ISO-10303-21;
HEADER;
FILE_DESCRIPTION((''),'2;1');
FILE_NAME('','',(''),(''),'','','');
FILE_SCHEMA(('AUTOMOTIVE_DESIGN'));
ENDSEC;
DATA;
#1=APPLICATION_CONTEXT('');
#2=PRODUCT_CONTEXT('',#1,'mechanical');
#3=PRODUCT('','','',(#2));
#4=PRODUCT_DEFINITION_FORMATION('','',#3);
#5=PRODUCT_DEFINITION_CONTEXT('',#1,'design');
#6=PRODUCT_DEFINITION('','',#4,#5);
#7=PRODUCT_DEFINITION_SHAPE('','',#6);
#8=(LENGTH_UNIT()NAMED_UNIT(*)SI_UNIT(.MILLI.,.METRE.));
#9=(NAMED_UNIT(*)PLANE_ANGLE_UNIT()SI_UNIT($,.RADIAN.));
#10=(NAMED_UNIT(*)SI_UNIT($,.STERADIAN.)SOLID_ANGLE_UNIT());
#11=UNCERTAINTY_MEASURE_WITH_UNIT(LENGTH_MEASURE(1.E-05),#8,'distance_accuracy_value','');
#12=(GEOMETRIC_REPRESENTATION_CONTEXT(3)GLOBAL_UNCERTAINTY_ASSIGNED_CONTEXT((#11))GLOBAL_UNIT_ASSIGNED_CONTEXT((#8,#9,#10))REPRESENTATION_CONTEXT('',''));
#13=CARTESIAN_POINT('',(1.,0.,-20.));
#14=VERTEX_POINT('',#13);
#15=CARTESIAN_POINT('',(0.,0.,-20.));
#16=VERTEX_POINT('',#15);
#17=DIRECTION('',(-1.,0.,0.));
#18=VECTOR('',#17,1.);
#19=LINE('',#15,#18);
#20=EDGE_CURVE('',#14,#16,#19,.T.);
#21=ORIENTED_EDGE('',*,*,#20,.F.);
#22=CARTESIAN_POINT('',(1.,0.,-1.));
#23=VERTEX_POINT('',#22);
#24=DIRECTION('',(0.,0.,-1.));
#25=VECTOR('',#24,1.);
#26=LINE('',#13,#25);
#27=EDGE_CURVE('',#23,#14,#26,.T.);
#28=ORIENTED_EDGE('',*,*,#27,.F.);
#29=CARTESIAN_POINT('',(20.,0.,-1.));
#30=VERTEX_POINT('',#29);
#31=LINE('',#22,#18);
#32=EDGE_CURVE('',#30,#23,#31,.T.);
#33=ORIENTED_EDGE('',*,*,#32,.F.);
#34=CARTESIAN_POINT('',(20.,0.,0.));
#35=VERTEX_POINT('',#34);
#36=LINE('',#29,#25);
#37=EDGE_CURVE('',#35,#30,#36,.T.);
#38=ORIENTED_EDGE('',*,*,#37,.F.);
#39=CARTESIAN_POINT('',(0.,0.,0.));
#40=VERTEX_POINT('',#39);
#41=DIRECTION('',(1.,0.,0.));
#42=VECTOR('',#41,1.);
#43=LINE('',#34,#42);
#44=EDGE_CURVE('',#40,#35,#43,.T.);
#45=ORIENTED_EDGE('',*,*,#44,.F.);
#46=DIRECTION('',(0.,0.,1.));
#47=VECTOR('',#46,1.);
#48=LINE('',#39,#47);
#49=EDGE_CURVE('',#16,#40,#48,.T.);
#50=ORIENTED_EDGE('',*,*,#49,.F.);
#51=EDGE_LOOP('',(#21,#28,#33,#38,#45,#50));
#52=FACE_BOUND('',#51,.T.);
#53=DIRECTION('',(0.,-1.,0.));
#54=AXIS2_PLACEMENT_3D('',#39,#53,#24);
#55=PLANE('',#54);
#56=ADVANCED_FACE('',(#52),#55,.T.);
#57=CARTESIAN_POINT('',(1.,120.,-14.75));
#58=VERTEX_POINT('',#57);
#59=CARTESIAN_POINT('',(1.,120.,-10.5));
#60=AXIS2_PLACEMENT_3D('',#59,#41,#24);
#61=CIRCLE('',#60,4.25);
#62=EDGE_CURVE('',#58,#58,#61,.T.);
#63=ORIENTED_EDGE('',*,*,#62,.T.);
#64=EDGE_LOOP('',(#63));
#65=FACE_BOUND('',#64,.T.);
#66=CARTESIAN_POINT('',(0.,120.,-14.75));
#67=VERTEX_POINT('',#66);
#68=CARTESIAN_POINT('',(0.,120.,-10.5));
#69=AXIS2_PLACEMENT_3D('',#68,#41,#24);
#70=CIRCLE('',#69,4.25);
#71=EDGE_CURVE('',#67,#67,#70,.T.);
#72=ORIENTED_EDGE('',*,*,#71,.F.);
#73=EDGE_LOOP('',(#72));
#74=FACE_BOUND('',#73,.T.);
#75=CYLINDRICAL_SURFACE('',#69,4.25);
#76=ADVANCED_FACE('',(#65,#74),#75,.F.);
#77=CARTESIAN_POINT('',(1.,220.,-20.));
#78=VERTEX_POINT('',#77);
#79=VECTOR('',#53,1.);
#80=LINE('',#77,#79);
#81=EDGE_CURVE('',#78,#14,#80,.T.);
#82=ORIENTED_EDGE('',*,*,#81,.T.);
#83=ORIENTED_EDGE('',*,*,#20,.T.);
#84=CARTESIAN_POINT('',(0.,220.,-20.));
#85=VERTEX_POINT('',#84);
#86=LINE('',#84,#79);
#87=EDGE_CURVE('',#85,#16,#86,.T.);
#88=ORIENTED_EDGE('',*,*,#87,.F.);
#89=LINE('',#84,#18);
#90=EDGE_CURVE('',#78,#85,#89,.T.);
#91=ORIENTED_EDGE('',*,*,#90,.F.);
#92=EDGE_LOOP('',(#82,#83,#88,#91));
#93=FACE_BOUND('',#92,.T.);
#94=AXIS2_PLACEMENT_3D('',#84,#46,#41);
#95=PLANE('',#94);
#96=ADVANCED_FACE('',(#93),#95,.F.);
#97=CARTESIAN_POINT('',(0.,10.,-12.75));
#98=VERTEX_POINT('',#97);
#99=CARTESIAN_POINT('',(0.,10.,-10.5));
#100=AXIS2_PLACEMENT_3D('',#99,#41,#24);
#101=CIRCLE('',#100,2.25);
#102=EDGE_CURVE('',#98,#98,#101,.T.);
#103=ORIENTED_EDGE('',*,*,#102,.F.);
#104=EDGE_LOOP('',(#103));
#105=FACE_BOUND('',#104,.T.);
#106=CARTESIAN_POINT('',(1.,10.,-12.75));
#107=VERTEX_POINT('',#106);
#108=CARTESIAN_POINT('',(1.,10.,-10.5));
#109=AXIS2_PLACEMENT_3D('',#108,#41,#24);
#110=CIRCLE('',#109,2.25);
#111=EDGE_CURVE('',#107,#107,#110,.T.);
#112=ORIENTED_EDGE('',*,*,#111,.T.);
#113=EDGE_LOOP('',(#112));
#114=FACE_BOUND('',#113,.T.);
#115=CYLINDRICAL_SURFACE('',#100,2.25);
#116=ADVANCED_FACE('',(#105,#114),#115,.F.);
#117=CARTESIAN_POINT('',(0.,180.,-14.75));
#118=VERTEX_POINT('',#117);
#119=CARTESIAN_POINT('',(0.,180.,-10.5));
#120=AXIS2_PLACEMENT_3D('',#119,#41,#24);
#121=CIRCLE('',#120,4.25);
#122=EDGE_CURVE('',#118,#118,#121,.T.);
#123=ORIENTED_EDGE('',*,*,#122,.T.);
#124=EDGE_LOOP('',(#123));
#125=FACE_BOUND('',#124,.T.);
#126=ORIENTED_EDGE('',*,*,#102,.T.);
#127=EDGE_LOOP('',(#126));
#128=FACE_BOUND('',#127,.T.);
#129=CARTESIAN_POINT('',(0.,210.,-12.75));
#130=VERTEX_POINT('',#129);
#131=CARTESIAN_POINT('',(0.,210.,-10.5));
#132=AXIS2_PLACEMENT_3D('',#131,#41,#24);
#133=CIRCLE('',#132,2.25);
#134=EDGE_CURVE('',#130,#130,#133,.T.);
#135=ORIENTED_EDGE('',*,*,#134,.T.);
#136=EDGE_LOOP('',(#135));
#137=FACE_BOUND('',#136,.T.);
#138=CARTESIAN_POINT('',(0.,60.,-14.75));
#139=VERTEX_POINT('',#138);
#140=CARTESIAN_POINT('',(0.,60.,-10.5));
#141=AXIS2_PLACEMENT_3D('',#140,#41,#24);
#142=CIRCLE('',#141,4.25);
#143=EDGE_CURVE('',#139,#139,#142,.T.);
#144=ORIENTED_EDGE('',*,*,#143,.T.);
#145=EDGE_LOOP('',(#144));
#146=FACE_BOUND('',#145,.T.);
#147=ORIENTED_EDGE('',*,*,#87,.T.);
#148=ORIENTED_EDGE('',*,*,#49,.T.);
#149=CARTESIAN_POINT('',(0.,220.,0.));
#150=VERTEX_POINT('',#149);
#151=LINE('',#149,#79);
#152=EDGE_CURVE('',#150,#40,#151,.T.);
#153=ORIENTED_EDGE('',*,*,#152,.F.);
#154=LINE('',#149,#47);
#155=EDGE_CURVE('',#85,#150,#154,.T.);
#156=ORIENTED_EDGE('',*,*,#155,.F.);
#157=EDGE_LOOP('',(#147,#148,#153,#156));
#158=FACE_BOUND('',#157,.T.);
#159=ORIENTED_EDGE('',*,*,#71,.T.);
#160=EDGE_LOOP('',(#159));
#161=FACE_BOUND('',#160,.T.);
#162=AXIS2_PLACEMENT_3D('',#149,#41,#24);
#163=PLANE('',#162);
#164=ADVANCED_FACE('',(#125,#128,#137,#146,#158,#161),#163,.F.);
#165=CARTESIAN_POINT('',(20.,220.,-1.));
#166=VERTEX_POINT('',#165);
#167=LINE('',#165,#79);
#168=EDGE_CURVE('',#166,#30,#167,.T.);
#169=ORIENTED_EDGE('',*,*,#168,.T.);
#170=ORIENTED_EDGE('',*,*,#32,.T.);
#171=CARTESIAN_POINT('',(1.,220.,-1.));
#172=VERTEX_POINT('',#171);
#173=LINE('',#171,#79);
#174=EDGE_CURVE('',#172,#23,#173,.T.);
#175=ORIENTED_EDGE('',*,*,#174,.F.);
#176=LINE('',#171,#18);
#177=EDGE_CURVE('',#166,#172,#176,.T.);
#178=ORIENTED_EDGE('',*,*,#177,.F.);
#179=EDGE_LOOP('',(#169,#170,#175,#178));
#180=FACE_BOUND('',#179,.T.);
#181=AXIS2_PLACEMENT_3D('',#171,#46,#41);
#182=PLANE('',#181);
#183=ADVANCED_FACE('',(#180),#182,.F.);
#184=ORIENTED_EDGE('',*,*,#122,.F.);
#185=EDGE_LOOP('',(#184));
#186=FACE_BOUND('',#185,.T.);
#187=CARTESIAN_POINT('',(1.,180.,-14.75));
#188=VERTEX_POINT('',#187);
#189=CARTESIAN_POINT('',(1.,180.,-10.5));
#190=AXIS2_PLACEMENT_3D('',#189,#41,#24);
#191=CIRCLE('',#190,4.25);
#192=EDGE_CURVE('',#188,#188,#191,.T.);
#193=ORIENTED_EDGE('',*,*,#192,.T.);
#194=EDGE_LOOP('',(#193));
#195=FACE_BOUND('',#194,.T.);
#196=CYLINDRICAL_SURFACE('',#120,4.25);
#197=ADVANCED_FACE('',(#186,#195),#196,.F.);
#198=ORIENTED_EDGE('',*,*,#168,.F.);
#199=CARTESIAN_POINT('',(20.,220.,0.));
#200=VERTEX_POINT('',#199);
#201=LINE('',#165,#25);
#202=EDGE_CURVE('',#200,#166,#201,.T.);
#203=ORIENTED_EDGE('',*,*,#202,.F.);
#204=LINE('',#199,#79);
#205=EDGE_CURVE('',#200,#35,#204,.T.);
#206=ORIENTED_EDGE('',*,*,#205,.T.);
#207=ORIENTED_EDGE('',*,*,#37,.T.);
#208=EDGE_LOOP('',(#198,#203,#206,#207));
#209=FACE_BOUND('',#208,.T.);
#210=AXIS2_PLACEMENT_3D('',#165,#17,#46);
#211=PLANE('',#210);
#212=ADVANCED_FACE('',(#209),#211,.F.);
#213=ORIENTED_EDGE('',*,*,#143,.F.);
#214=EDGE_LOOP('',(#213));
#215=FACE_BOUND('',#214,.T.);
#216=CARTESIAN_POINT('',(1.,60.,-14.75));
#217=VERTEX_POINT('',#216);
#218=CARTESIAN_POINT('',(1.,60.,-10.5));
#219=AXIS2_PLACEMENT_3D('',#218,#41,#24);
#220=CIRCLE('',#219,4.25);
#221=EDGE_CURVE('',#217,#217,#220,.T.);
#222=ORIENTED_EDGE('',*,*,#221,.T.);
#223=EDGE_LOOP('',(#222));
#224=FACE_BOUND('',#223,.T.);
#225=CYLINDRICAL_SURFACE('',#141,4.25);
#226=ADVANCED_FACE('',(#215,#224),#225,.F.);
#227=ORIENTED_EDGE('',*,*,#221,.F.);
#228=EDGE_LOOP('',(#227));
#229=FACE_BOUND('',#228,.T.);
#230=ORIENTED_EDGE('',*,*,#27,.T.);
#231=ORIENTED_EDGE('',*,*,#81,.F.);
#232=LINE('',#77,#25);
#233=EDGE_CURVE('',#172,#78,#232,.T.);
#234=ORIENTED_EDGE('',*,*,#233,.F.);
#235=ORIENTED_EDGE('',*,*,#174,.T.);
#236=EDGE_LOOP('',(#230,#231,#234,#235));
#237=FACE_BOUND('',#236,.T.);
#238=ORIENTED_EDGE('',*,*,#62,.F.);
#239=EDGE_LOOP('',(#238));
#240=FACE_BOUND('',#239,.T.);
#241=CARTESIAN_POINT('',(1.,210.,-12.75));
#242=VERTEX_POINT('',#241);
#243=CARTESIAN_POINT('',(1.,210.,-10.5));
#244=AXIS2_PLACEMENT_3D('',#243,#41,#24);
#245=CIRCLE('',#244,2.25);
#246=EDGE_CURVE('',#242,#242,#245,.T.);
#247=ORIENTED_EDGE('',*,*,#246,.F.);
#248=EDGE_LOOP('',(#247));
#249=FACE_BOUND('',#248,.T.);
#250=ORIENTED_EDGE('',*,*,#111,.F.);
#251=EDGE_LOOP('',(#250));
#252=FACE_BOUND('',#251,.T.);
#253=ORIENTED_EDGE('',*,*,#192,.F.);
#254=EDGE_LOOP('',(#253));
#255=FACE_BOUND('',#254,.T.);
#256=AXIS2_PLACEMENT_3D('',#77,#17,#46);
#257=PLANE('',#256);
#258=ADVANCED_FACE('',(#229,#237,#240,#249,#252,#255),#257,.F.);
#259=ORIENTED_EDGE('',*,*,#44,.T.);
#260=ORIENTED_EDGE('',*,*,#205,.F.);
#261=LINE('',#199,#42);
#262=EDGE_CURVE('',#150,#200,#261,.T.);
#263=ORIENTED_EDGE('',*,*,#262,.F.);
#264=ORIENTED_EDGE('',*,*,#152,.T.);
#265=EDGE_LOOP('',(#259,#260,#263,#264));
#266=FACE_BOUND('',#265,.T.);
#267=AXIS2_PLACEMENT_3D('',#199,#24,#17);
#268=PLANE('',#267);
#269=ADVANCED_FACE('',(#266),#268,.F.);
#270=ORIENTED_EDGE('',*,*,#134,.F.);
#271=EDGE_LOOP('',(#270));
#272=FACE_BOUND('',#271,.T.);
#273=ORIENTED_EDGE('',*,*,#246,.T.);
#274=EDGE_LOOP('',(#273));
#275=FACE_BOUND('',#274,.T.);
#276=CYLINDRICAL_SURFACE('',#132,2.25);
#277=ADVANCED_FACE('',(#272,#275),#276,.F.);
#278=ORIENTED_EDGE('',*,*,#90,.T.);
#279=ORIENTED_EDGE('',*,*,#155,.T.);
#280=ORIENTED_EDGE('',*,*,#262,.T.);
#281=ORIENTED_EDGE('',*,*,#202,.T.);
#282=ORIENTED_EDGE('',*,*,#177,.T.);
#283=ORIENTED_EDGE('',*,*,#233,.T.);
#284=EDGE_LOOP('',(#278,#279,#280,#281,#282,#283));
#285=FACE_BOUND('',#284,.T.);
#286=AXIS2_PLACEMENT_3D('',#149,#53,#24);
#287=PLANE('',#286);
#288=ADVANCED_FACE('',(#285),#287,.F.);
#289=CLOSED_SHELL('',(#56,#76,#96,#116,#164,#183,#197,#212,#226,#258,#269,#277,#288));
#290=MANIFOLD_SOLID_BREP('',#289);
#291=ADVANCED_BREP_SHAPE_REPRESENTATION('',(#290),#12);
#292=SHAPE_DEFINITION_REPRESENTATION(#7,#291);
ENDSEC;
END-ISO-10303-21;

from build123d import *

# Parameters (mm, degrees)
EXTRUDE_1_DEPTH     = 220
SKETCH_2_R          = 4.25
CUT_EXTRUDE_1_DEPTH = 2
SKETCH_3_R          = 2.25
CUT_EXTRUDE_2_DEPTH = 2
SKETCH_4_R          = 2.25
CUT_EXTRUDE_3_DEPTH = 2


with BuildPart() as part:
    # Эскиз1 → Бобышка-Вытянуть1 (new body)
    with BuildSketch(Plane(origin=(0, 0, 0), x_dir=(1, 0, 0), z_dir=(0, 1, 0))):
        Polygon((0, 0), (0, 20), (1, 20), (1, 1), (20, 1), (20, 0), align=None)
    extrude(amount=EXTRUDE_1_DEPTH)

    # Эскиз2 → Вырез-Вытянуть1 (cut, through all)
    with BuildSketch(Plane(origin=(1, 0, 0), x_dir=(0, 0, -1), z_dir=(1, 0, 0))):
        with Locations((10.5, 180)):
            Circle(SKETCH_2_R)
        with Locations((10.5, 120)):
            Circle(SKETCH_2_R)
        with Locations((10.5, 60)):
            Circle(SKETCH_2_R)
    extrude(amount=-CUT_EXTRUDE_1_DEPTH, mode=Mode.SUBTRACT)

    # Эскиз3 → Вырез-Вытянуть2 (cut, through all)
    with BuildSketch(Plane(origin=(1, 0, 0), x_dir=(0, 0, -1), z_dir=(1, 0, 0))):
        with Locations((10.5, 210)):
            Circle(SKETCH_3_R)
    extrude(amount=-CUT_EXTRUDE_2_DEPTH, mode=Mode.SUBTRACT)

    # Эскиз4 → Вырез-Вытянуть3 (cut, through all)
    with BuildSketch(Plane(origin=(1, 0, 0), x_dir=(0, 0, -1), z_dir=(1, 0, 0))):
        with Locations((10.5, 10)):
            Circle(SKETCH_4_R)
    extrude(amount=-CUT_EXTRUDE_3_DEPTH, mode=Mode.SUBTRACT)


solid = part.part
